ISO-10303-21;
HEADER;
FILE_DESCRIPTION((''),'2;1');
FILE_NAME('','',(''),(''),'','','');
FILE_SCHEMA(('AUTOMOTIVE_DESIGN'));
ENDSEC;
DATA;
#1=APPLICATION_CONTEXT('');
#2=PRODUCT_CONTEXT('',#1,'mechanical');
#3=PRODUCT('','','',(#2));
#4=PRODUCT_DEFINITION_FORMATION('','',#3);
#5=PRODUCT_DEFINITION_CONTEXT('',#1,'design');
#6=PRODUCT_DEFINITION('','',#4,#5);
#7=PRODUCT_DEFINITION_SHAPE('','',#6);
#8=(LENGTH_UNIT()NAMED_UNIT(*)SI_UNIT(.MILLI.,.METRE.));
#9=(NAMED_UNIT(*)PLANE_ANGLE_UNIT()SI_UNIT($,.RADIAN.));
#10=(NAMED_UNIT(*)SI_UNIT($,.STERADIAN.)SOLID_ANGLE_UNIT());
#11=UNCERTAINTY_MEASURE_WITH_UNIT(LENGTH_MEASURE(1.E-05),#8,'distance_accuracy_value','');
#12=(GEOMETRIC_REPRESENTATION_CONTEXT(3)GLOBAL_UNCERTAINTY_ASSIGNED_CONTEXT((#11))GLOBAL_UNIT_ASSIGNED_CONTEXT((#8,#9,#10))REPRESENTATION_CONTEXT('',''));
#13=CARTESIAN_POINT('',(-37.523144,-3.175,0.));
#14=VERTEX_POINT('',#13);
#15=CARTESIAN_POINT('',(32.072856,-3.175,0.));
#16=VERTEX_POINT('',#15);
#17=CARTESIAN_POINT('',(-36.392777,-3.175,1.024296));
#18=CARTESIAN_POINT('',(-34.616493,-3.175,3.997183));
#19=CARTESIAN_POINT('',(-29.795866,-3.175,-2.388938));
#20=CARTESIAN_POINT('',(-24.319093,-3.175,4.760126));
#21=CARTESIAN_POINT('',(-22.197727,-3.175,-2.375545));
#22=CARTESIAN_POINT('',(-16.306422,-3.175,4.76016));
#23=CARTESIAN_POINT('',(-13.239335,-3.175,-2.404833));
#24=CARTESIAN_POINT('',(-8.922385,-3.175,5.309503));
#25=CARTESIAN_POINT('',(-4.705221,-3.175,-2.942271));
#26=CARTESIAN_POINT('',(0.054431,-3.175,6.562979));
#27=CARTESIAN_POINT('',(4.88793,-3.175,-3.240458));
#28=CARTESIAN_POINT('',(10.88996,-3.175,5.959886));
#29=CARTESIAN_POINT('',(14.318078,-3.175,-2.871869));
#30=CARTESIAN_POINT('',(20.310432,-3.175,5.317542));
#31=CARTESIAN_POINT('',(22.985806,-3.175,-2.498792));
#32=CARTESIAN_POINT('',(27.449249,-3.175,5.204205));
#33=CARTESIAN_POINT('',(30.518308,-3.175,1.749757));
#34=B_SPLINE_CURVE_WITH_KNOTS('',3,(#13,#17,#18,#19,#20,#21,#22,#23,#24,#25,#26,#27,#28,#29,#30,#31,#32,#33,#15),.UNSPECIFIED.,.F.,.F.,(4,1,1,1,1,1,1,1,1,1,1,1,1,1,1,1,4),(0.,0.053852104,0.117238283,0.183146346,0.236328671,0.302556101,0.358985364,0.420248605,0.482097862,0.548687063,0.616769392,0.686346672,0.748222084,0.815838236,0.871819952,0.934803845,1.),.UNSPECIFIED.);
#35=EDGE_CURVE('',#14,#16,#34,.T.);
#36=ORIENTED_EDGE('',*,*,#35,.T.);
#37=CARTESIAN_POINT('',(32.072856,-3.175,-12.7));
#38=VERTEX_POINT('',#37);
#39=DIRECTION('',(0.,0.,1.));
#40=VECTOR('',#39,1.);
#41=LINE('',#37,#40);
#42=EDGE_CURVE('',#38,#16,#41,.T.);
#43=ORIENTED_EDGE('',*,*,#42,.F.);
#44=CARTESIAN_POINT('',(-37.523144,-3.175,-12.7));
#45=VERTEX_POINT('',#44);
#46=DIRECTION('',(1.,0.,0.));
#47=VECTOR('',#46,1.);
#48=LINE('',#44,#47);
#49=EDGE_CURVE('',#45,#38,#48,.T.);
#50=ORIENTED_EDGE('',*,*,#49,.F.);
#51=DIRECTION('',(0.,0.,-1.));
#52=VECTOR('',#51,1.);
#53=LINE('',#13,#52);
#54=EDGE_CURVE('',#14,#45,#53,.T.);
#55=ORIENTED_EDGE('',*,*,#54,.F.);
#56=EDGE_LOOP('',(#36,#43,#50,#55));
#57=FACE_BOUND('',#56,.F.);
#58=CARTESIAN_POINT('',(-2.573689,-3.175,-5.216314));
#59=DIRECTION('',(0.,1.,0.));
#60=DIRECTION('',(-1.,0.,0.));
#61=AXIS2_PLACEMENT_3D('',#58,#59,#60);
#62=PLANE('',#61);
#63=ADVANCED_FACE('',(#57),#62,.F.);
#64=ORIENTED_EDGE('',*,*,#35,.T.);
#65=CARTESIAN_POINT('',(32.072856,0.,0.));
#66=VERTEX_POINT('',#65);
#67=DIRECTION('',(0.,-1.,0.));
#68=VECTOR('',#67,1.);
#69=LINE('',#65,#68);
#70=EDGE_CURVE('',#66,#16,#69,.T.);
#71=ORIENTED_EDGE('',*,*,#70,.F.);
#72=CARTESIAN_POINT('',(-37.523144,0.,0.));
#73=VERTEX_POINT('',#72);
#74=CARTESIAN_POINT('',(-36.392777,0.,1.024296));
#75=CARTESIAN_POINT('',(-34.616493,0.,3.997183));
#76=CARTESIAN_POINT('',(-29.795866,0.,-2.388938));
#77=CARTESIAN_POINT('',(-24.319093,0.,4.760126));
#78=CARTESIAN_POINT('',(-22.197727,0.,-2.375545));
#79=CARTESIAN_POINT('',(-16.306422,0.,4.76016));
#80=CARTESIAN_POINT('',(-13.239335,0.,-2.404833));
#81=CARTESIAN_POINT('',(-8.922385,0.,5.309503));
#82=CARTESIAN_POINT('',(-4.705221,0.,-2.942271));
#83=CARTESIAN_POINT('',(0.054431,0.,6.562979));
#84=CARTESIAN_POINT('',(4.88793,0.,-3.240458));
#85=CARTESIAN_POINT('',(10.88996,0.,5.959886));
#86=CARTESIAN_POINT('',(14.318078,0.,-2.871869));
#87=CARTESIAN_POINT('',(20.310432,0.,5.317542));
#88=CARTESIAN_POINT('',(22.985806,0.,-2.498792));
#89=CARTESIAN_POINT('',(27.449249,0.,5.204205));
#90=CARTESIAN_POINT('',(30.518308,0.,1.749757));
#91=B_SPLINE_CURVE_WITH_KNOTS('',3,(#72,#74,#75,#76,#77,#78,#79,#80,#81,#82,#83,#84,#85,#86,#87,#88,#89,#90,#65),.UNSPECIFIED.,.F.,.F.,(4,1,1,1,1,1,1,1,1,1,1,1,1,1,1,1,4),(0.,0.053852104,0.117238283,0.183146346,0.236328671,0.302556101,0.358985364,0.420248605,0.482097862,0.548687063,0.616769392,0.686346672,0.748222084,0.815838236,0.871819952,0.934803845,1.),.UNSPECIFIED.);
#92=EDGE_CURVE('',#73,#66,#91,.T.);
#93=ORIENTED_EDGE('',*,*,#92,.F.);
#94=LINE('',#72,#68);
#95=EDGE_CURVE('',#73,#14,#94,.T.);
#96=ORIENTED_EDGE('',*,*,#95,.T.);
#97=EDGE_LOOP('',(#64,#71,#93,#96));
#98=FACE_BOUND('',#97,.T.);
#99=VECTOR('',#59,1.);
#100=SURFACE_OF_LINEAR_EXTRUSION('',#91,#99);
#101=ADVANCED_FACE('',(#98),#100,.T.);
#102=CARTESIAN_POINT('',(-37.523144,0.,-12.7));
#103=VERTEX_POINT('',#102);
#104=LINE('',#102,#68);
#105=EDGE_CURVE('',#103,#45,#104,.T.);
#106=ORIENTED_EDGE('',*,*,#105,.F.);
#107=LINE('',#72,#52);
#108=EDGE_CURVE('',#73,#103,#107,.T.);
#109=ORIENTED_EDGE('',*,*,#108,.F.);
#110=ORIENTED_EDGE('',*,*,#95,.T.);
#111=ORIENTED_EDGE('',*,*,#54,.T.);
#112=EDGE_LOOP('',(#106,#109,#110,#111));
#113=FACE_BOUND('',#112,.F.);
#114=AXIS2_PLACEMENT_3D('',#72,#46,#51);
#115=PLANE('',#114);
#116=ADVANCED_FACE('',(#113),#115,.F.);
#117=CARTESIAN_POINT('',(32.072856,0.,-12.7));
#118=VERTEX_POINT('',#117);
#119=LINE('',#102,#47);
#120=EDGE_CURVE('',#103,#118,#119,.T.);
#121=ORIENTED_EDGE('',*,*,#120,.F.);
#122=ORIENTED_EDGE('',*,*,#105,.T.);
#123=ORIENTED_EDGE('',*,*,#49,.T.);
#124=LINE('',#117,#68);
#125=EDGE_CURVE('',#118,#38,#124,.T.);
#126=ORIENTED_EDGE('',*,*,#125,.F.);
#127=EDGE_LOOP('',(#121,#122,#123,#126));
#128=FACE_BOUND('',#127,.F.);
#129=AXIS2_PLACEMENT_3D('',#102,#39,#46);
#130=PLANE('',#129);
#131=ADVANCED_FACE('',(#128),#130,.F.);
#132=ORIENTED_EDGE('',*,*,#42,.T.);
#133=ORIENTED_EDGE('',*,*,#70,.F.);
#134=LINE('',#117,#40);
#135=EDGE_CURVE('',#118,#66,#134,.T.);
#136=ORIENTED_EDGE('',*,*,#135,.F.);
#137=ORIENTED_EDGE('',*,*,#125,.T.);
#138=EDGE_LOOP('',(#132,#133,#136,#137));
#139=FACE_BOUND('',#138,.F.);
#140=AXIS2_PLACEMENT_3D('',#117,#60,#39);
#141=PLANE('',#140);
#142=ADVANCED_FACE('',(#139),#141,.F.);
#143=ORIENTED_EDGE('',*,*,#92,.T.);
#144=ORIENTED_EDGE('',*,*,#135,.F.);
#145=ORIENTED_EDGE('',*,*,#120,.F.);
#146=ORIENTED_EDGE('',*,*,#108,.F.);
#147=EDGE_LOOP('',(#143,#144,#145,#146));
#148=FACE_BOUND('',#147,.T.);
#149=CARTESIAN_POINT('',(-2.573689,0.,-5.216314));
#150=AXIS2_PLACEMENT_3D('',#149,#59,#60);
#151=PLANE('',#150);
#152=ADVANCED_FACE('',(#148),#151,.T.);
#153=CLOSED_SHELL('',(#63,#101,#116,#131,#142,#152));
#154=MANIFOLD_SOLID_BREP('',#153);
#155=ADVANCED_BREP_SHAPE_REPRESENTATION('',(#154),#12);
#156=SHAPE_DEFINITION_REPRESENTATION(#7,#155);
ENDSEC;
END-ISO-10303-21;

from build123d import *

# Parameters (mm, degrees)
F1_DEPTH = 3.175


with BuildPart() as f1:
    # F0 (on Front) → F1 (new body)
    with BuildSketch(Plane.XZ):
        with BuildLine():
            add(Edge.make_bspline(
                [(-37.5231436843, 0), (-36.3927771093, 1.0242963358), (-34.6164926568, 3.9971829893), (-29.7958659484, -2.3889375686), (-24.3190933128, 4.760125995), (-22.1977271463, -2.3755454947), (-16.3064218365, 4.760159534), (-13.239334767, -2.404833422), (-8.9223851264, 5.3095028697), (-4.7052205312, -2.9422708389), (0.054430673, 6.5629794633), (4.8879298256, -3.2404575053), (10.8899600841, 5.9598858668), (14.3180784031, -2.8718691554), (20.3104321589, 5.3175418194), (22.9858060279, -2.4987921766), (27.4492487775, 5.2042053892), (30.5183075752, 1.7497572769), (32.0728563157, 0)],
                knots=[0, 0, 0, 0, 0.0538521041, 0.1172382831, 0.1831463457, 0.2363286705, 0.3025561013, 0.3589853644, 0.4202486048, 0.4820978623, 0.5486870633, 0.6167693925, 0.6863466716, 0.748222084, 0.8158382364, 0.8718199525, 0.9348038452, 1, 1, 1, 1], degree=3))
            Line((-37.5231436843, 0), (-37.5231436843, -12.7))
            Line((-37.5231436843, -12.7), (32.0728563157, -12.7))
            Line((32.0728563157, -12.7), (32.0728563157, 0))
        make_face()
    extrude(amount=F1_DEPTH)


solid = f1.part
